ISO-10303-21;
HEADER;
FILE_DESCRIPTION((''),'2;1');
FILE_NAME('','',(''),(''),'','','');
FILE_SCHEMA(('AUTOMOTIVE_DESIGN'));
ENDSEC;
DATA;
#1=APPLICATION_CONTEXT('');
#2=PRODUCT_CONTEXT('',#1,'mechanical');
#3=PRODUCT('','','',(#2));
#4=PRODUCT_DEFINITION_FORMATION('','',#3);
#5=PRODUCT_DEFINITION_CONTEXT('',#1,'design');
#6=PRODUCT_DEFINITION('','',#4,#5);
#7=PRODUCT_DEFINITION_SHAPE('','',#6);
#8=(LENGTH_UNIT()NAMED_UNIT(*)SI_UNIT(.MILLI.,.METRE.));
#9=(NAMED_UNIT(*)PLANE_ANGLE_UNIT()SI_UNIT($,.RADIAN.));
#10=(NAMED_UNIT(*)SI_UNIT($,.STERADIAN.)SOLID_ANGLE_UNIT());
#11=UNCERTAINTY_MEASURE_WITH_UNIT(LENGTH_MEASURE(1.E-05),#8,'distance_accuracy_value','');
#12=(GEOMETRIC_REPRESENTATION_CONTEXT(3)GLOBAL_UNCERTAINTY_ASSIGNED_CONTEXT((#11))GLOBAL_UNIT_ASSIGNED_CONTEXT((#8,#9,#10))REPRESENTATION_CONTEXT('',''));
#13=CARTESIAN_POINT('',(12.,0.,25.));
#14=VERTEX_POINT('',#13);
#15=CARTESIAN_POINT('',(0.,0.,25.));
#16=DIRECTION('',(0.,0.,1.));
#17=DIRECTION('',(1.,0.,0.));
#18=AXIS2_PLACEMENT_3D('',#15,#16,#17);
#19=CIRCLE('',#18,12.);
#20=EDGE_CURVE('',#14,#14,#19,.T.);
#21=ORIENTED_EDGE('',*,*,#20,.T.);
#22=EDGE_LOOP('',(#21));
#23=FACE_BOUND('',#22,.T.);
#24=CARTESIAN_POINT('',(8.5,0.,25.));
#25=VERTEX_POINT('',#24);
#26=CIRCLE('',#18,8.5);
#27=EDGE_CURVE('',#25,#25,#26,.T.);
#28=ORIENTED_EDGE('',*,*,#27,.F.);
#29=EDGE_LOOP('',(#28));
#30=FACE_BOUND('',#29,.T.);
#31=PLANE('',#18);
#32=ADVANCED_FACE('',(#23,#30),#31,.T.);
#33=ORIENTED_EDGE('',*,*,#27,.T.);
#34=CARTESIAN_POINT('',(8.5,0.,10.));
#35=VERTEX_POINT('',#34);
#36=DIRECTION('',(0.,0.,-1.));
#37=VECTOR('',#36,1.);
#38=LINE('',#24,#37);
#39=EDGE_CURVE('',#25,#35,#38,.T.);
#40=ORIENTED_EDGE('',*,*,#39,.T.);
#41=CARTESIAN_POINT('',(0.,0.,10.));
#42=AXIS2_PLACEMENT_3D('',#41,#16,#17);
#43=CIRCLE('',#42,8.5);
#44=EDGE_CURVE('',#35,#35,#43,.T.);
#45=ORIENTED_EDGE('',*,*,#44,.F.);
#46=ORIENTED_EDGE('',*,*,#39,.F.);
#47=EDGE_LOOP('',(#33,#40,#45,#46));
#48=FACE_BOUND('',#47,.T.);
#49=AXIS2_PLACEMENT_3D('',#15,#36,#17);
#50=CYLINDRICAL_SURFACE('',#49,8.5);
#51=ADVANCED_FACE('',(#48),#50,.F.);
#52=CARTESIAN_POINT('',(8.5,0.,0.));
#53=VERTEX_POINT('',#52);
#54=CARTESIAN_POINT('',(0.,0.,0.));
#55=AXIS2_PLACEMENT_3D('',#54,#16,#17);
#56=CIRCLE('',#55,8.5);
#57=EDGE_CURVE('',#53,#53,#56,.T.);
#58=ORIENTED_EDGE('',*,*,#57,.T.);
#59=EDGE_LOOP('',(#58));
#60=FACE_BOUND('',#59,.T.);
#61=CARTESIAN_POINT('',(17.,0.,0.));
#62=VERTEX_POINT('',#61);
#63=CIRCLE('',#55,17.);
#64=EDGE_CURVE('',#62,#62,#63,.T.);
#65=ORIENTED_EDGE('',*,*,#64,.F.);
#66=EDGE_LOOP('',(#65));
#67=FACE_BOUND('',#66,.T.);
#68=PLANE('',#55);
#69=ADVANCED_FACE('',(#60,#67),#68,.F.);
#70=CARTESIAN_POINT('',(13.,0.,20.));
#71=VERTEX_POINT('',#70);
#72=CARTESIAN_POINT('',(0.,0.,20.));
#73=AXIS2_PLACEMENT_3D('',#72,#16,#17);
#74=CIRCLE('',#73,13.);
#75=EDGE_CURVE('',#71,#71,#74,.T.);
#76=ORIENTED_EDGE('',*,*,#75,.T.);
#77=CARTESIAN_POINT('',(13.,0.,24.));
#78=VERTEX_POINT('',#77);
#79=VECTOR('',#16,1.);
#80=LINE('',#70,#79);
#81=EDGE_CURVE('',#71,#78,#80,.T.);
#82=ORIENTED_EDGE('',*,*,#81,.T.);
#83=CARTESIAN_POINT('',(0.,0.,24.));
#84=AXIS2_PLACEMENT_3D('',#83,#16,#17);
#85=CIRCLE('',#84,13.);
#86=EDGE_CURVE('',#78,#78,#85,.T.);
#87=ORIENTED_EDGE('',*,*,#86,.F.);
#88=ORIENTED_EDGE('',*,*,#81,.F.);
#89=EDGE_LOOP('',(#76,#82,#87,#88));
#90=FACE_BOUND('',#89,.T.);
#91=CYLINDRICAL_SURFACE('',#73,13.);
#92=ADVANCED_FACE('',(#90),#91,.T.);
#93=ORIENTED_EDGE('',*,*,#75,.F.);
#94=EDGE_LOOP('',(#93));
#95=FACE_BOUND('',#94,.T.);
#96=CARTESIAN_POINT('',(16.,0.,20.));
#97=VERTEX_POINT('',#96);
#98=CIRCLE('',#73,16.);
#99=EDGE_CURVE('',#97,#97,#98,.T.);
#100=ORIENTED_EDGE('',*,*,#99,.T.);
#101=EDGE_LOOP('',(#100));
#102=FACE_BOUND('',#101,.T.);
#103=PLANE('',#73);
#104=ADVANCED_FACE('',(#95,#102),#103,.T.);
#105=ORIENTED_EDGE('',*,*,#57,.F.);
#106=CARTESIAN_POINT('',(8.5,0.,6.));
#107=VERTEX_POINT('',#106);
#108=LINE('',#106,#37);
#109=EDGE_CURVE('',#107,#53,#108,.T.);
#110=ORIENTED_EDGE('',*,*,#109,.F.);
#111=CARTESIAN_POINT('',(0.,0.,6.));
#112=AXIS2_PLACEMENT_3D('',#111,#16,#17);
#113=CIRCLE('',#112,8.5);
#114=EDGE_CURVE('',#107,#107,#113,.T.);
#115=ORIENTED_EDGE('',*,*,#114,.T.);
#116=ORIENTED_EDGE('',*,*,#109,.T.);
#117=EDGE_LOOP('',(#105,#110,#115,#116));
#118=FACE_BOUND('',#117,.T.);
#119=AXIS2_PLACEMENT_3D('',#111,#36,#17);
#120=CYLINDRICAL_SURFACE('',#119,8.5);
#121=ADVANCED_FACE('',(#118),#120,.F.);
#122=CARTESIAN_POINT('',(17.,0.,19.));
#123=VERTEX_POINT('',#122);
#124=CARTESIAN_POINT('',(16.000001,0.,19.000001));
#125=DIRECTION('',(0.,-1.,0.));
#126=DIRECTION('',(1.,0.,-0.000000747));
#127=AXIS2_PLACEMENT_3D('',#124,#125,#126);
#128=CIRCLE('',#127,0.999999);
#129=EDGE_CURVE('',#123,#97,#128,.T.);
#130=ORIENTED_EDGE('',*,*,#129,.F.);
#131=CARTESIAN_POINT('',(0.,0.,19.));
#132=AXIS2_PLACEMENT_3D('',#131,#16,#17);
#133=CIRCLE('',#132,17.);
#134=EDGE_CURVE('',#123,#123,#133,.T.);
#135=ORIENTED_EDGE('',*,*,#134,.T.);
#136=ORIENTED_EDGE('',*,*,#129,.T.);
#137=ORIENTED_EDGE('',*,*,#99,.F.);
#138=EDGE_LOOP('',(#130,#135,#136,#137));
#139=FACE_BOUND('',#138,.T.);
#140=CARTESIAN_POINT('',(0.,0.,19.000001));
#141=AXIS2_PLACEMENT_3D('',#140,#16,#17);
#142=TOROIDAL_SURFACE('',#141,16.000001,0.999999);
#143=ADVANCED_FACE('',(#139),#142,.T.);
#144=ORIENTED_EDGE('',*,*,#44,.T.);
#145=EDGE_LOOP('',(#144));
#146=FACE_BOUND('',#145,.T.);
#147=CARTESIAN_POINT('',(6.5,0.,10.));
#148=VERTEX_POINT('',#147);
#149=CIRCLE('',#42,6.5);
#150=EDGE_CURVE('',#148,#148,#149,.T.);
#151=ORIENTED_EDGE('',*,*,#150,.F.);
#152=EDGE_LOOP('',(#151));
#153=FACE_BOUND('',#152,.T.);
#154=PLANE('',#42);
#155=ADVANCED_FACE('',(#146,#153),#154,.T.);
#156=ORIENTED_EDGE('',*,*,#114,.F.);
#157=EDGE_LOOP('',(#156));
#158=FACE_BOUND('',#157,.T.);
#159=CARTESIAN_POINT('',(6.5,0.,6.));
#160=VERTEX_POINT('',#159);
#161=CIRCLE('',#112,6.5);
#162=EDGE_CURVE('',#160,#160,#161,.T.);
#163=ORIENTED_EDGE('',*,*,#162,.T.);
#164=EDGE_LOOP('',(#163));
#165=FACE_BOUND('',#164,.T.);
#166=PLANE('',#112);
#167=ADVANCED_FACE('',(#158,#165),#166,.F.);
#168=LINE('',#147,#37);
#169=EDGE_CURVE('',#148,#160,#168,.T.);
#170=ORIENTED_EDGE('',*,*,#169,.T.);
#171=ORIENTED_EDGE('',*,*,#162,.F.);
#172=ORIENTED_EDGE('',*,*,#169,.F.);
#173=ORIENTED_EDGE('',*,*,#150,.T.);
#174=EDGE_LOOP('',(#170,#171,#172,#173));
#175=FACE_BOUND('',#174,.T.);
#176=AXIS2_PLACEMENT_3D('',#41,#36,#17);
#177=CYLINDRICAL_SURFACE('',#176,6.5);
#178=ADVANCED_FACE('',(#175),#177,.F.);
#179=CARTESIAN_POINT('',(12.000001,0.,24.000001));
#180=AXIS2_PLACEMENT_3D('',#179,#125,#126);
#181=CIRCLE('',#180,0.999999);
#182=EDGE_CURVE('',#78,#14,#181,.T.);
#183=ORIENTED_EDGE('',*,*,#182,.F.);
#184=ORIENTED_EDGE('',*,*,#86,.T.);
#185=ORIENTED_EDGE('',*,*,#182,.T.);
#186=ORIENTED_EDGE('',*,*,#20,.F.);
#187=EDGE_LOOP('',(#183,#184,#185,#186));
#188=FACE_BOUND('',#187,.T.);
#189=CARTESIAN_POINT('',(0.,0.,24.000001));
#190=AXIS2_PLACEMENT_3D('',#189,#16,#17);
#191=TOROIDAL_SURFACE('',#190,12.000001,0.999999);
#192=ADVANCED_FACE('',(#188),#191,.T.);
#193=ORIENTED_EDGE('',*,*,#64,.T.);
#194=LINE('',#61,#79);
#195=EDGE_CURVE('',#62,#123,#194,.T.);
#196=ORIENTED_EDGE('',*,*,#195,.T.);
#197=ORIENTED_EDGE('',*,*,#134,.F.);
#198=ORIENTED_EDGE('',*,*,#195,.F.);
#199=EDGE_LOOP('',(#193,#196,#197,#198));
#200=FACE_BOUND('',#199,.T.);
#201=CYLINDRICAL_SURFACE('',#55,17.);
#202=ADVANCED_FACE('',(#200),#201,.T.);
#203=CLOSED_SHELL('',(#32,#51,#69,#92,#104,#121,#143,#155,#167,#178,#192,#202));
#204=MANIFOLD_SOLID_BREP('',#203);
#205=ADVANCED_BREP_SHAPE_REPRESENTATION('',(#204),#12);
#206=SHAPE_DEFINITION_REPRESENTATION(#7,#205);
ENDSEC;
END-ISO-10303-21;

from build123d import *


with BuildPart() as f2:
    # F1 (on Front) → F2 (revolve)
    with BuildSketch(Plane.XZ):
        with BuildLine():
            Line((8.5, 0), (17, 0))
            Line((17, 0), (17, 19))
            ThreePointArc((17, 19), (16.707107, 19.707107), (16, 20))
            Line((16, 20), (13, 20))
            Line((13, 20), (13, 24))
            ThreePointArc((13, 24), (12.707107, 24.707107), (12, 25))
            Line((12, 25), (8.5, 25))
            Line((8.5, 25), (8.5, 10))
            Line((8.5, 10), (6.5, 10))
            Line((6.5, 10), (6.5, 6))
            Line((6.5, 6), (8.5, 6))
            Line((8.5, 6), (8.5, 0))
        make_face()
    revolve(axis=Axis((0, 0, 12.5), (0, 0, 1)))


solid = f2.part
